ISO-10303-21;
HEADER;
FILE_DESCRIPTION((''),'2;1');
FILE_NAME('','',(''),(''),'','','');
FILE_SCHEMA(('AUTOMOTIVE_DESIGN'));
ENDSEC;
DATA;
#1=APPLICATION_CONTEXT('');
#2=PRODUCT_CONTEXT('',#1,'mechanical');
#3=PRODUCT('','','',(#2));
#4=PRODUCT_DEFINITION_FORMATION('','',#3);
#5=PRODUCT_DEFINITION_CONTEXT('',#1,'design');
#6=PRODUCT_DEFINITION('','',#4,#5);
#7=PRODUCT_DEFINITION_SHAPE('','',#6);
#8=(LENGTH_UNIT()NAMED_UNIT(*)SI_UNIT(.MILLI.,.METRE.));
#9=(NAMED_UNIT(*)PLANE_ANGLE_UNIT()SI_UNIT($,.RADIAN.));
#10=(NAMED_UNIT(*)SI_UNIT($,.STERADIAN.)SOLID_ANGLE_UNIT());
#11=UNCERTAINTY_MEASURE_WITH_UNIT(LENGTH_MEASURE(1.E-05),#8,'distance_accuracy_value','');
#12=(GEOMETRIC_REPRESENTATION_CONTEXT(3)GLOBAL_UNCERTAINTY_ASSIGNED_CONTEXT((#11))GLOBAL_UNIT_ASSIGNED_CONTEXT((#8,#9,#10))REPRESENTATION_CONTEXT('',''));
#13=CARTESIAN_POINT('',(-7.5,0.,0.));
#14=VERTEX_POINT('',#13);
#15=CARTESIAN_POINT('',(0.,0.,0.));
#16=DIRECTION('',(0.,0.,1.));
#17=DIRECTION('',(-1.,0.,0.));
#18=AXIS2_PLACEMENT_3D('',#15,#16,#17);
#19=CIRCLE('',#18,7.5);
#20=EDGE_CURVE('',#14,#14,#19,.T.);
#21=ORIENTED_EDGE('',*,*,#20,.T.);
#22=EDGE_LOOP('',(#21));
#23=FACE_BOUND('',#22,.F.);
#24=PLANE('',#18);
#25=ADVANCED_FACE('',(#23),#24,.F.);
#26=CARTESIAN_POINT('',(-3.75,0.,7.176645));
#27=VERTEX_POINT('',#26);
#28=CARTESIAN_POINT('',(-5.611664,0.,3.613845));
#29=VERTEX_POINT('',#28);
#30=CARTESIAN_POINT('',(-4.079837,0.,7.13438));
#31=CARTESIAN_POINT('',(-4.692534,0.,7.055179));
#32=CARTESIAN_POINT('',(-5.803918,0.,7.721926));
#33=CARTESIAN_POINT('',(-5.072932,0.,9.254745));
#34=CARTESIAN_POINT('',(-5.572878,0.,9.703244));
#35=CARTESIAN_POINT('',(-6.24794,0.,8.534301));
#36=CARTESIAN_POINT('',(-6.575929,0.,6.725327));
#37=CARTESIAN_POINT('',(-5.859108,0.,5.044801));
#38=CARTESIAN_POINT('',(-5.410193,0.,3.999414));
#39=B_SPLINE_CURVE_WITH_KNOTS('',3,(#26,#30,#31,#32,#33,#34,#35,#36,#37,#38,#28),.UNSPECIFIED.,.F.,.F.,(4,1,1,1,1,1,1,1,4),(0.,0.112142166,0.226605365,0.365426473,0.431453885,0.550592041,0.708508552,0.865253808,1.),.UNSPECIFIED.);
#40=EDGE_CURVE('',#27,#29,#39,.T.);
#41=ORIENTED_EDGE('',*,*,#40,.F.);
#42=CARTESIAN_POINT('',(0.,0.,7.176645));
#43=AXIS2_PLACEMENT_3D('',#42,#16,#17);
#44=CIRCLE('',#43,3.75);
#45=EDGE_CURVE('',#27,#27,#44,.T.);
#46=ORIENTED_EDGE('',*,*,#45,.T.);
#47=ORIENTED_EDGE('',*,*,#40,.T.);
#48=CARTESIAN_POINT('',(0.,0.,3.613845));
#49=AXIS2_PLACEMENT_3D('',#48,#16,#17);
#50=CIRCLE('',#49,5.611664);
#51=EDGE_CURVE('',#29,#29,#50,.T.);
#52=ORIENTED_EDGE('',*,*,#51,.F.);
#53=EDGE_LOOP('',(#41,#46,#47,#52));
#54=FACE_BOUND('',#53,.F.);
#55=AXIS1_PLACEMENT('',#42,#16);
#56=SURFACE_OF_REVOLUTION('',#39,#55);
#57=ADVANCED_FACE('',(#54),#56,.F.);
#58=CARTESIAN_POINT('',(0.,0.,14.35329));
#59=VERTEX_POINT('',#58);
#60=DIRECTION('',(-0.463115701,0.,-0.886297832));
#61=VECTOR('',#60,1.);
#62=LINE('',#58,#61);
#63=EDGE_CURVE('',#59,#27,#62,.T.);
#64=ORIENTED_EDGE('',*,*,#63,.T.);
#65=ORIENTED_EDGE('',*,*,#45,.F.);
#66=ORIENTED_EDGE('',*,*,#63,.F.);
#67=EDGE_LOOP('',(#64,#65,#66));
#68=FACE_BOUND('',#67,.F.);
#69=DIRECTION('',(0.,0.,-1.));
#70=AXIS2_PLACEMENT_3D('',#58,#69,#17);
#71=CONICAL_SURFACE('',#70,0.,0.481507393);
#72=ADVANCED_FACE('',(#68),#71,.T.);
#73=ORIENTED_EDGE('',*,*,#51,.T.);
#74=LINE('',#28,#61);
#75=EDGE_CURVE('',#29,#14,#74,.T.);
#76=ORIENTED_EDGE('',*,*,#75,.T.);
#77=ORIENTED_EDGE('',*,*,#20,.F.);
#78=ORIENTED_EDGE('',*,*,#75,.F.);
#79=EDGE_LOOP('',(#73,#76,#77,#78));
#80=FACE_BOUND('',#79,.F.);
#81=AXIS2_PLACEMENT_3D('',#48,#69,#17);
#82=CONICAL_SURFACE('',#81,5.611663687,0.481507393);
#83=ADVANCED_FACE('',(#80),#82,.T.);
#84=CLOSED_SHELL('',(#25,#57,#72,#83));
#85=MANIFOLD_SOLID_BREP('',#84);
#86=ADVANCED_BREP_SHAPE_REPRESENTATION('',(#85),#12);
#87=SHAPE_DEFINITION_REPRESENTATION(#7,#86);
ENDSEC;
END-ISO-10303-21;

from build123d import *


with BuildPart() as f1:
    # F0 (on Front) → F1 (revolve)
    with BuildSketch(Plane.XZ):
        with BuildLine():
            Line((-7.5, 0), (0, 0))
            Line((0, 0), (0, 14.3532895433))
            Line((0, 14.3532895433), (-3.75, 7.1766447717))
            add(Edge.make_bspline(
                [(-3.75, 7.1766447717), (-4.0798371787, 7.1343801925), (-4.6925340901, 7.055178913), (-5.8039178818, 7.7219258149), (-5.0729319415, 9.2547449266), (-5.5728775931, 9.7032442438), (-6.2479395448, 8.534301124), (-6.5759289269, 6.7253273111), (-5.8591081852, 5.0448012161), (-5.4101929992, 3.9994139962), (-5.6116636872, 3.6138450471)],
                knots=[0, 0, 0, 0, 0.1121421656, 0.2266053652, 0.3654264731, 0.4314538849, 0.5505920411, 0.708508552, 0.8652538076, 1, 1, 1, 1], degree=3))
            Line((-5.6116636872, 3.6138450471), (-7.5, 0))
        make_face()
    revolve(axis=Axis((0, 0, 7.1766447717), (0, 0, 1)))


solid = f1.part
